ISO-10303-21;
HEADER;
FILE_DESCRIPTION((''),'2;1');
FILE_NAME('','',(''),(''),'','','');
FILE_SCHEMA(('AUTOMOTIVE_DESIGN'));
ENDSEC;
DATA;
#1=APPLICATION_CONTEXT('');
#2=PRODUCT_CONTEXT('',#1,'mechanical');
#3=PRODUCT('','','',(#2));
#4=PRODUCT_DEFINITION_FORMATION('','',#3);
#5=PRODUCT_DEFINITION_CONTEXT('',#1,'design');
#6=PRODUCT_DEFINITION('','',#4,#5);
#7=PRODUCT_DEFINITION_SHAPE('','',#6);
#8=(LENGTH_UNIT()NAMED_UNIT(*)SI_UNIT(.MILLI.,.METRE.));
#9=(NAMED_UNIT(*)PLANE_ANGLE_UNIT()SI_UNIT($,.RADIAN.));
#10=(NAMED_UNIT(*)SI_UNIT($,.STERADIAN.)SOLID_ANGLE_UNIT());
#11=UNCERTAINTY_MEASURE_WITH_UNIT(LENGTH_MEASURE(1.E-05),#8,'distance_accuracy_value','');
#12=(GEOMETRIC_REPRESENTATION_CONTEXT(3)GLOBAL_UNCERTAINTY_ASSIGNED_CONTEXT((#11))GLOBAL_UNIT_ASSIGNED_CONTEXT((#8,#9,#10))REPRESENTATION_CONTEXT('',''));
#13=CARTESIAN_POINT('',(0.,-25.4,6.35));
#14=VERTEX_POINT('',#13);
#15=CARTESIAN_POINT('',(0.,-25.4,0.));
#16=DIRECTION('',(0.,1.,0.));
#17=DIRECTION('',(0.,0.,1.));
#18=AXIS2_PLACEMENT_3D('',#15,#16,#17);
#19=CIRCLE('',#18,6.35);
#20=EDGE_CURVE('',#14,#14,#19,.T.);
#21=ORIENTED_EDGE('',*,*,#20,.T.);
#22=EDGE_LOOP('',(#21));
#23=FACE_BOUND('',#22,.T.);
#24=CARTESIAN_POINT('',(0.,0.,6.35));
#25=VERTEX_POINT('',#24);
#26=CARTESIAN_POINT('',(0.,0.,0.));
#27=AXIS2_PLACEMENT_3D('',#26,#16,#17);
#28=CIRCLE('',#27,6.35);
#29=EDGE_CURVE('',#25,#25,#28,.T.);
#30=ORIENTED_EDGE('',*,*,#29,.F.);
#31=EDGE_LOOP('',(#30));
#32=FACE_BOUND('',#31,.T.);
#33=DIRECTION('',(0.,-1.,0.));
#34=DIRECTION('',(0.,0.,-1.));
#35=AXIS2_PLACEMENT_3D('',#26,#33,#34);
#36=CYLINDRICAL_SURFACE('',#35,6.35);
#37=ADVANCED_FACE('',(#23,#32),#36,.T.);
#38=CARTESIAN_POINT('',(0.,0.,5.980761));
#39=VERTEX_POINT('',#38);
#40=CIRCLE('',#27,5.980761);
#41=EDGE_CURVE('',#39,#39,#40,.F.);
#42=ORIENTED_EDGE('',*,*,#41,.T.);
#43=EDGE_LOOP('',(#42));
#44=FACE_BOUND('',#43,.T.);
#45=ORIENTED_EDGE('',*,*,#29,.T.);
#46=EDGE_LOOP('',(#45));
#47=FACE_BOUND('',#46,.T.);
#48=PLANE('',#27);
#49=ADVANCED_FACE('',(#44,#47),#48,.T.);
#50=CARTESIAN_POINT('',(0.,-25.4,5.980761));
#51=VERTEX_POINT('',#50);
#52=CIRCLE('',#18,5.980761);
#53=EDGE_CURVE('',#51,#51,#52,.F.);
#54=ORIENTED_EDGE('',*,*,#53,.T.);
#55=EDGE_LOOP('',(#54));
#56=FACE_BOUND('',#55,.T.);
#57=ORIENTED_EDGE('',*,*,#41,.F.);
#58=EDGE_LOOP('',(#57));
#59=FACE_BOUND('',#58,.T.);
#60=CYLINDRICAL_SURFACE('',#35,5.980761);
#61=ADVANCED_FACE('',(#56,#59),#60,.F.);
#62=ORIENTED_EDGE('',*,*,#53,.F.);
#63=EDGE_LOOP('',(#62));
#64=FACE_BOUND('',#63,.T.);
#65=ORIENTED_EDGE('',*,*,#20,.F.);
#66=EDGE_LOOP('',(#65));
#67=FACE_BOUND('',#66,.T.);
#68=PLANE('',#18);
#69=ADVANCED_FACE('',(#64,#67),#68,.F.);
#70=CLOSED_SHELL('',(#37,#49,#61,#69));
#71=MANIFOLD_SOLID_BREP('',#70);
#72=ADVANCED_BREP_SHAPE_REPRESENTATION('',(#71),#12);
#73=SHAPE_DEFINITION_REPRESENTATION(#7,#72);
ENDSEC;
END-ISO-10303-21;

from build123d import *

# Parameters (mm, degrees)
SKETCH1_R   = 6.35
SKETCH1_R_2 = 5.98076085


with BuildPart() as part:
    # Sweep1: sweep along a path in Sketch2
    with BuildLine(Plane(origin=(0, 0, 0), x_dir=(0, 0, -1), z_dir=(1, 0, 0))) as sweep1_path:
        Line((0, 0), (0, -25.4))
    # Sketch1 → Sweep1 (sweep)
    with BuildSketch(Plane(origin=(0, 0, 0), x_dir=(1, 0, 0), z_dir=(0, 1, 0))):
        Circle(SKETCH1_R)
        Circle(SKETCH1_R_2, mode=Mode.SUBTRACT)
    sweep(path=sweep1_path.line)


solid = part.part
